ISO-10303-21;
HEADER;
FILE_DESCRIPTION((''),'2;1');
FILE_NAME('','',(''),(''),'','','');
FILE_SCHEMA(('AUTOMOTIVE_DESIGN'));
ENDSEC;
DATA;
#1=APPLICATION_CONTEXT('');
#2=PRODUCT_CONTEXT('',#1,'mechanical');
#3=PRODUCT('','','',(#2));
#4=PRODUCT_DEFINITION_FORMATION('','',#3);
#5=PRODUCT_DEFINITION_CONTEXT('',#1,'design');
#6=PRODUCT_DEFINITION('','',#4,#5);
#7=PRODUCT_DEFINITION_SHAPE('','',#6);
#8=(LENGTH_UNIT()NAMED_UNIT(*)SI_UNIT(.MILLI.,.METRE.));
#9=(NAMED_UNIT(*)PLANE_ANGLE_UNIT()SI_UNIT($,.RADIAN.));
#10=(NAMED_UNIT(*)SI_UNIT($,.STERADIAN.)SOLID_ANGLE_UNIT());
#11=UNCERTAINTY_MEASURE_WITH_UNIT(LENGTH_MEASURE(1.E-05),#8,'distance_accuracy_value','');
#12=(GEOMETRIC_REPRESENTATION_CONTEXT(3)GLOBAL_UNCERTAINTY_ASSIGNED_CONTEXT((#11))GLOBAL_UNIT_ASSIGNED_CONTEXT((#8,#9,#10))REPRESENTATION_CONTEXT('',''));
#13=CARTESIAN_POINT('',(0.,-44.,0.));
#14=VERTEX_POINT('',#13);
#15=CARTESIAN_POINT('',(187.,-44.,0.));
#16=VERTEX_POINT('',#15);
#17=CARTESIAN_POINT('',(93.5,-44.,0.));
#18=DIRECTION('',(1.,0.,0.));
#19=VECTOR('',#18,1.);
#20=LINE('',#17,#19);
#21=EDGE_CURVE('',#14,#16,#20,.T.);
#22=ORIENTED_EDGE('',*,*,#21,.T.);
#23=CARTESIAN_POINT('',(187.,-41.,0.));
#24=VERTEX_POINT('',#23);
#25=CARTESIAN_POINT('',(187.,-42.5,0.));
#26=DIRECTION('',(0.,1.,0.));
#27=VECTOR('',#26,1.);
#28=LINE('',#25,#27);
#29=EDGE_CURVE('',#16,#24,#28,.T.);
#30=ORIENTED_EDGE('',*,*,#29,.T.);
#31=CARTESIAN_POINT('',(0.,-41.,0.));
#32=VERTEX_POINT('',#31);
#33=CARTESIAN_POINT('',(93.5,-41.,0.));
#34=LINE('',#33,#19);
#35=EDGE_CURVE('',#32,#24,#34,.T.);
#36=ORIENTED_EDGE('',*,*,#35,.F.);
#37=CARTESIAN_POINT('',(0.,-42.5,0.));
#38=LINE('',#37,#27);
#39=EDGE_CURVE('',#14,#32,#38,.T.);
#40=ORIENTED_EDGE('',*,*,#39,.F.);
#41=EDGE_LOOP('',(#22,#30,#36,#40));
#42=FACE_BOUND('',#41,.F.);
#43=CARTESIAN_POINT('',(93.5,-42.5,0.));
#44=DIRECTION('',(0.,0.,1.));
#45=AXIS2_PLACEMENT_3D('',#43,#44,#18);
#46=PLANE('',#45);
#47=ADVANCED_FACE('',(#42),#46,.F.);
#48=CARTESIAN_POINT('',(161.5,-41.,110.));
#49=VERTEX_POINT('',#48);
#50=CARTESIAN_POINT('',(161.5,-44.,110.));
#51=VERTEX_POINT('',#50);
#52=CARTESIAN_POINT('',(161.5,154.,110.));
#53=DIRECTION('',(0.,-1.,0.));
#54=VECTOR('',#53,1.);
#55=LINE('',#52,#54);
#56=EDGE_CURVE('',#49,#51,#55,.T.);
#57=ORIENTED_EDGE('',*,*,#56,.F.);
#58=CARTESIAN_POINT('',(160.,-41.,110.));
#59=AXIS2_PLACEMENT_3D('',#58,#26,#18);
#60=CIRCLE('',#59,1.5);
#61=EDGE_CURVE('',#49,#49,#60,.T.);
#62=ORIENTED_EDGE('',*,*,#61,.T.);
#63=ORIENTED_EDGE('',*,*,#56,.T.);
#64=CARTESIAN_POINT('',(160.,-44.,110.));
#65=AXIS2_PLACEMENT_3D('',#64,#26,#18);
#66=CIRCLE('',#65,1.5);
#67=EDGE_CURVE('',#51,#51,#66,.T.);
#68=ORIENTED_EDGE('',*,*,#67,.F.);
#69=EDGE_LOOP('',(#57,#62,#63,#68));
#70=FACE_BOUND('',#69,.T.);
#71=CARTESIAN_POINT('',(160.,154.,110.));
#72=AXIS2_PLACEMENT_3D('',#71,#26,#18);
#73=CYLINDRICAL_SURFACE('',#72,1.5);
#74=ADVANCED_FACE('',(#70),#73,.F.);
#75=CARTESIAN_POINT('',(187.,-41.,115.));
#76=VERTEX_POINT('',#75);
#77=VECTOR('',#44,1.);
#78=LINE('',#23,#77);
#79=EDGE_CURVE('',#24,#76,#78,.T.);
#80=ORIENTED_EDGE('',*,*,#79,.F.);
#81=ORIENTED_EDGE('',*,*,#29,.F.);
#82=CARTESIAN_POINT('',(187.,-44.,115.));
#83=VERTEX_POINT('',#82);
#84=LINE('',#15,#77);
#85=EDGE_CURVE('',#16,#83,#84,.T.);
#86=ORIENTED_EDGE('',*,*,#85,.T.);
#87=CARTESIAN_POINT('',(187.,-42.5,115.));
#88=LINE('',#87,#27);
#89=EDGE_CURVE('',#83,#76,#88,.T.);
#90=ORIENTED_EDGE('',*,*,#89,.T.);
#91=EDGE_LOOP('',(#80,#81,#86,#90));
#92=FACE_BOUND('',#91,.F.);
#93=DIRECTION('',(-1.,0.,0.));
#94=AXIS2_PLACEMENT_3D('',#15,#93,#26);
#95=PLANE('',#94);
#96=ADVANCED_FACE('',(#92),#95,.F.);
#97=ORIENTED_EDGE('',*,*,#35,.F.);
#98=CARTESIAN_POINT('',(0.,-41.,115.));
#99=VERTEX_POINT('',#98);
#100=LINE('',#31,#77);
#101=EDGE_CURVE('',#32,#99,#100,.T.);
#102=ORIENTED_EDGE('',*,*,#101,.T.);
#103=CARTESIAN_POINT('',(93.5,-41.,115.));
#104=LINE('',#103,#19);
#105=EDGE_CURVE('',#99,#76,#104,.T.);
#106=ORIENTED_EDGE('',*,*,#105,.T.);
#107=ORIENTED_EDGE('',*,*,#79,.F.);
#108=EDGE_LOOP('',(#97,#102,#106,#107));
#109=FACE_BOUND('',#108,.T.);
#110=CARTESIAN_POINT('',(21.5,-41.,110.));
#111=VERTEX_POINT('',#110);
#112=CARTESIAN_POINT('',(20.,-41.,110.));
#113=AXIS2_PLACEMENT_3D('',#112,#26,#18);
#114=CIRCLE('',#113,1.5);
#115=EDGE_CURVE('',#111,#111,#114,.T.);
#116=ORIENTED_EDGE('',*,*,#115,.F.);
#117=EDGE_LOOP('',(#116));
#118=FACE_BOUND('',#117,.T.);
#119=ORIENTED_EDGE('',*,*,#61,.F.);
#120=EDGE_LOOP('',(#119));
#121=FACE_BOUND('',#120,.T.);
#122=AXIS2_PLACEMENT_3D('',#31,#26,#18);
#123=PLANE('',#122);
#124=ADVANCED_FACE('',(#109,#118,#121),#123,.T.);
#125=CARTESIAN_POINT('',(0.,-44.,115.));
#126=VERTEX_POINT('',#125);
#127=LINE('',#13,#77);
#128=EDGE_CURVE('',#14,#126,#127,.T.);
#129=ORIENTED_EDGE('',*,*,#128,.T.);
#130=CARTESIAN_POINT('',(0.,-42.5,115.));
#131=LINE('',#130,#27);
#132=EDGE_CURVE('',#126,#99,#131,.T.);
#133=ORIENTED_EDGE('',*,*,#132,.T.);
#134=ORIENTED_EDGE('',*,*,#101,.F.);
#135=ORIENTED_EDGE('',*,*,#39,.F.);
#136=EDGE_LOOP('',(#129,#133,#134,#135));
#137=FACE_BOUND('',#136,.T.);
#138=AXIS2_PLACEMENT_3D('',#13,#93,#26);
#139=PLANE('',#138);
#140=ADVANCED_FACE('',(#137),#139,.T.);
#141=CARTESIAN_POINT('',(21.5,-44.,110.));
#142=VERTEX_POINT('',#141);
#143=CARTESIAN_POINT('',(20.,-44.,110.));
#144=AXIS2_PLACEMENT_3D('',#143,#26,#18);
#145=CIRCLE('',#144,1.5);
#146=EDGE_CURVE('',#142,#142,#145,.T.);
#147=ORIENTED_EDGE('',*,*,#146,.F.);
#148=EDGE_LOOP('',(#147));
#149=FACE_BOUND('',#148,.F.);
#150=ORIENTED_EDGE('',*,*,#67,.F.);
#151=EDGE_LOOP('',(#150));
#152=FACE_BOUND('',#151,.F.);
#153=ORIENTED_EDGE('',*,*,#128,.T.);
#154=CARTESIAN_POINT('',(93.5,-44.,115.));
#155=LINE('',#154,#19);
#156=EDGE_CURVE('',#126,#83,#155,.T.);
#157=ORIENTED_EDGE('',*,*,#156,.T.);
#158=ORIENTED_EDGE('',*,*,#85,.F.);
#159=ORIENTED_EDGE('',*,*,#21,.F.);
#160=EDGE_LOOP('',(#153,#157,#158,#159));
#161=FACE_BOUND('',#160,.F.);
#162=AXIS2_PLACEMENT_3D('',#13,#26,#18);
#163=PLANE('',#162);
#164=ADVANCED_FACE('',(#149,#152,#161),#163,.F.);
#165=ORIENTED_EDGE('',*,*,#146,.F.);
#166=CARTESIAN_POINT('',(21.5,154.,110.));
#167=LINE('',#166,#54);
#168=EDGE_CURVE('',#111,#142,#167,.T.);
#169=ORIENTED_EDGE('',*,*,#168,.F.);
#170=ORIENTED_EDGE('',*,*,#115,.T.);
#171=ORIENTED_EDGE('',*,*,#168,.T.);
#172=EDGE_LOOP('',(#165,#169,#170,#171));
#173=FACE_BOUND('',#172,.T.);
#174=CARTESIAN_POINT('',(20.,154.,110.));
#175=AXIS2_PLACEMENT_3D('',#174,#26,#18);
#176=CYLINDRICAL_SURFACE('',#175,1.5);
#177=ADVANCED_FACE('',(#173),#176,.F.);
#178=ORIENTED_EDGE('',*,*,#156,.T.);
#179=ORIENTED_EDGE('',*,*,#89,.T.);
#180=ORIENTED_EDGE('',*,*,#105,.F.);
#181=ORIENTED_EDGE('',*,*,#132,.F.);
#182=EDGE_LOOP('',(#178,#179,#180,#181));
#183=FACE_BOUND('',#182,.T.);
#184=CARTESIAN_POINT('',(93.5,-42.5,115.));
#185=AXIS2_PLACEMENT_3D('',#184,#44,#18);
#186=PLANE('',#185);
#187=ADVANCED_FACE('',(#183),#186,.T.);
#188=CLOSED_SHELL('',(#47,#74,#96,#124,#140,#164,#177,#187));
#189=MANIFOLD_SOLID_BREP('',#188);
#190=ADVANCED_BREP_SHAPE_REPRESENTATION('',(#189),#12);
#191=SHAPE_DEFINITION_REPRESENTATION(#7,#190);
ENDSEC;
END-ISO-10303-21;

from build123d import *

# Parameters (mm, degrees)
CYLINDER174_R          = 1.5
CYLINDER174_DEPTH      = 200
CYLINDER174_ROLL_ANGLE = 90
CYLINDER173_R          = 1.5
CYLINDER173_DEPTH      = 200
CYLINDER173_ROLL_ANGLE = 90
BOX089_W               = 187
BOX089_H               = 3
BOX089_DEPTH           = 115


with BuildPart() as varilla8y018:
    # Cylinder174 → Cylinder174 (new body)
    with BuildSketch(Plane.XY):
        Circle(CYLINDER174_R)
    extrude(amount=CYLINDER174_DEPTH)


with BuildPart() as varilla8y018_1:
    # Cylinder174 roll: moved
    add(varilla8y018.part.rotate(Axis((0, 0, 0), (1, 0, 0)), CYLINDER174_ROLL_ANGLE))


with BuildPart() as varilla8y018_2:
    # Cylinder174 placement: moved
    add(varilla8y018_1.part.moved(Location((160, 154, 110))))


with BuildPart() as varilla8y017:
    # Cylinder173 → Cylinder173 (new body)
    with BuildSketch(Plane.XY):
        Circle(CYLINDER173_R)
    extrude(amount=CYLINDER173_DEPTH)


with BuildPart() as varilla8y017_1:
    # Cylinder173 roll: moved
    add(varilla8y017.part.rotate(Axis((0, 0, 0), (1, 0, 0)), CYLINDER173_ROLL_ANGLE))


with BuildPart() as varilla8y017_2:
    # Cylinder173 placement: moved
    add(varilla8y017_1.part.moved(Location((20, 154, 110))))


with BuildPart() as plexi_orange:
    # Box089 → Box089 (new body)
    with BuildSketch(Plane(origin=(0, -44, 0), x_dir=(1, 0, 0), z_dir=(0, 0, 1))):
        with Locations((93.5, 1.5)):
            Rectangle(BOX089_W, BOX089_H)
    extrude(amount=BOX089_DEPTH)

    # Cut217: cut varilla8y017
    add(varilla8y017_2.part, mode=Mode.SUBTRACT)

    # Cut218: cut varilla8y018
    add(varilla8y018_2.part, mode=Mode.SUBTRACT)


solid = plexi_orange.part
